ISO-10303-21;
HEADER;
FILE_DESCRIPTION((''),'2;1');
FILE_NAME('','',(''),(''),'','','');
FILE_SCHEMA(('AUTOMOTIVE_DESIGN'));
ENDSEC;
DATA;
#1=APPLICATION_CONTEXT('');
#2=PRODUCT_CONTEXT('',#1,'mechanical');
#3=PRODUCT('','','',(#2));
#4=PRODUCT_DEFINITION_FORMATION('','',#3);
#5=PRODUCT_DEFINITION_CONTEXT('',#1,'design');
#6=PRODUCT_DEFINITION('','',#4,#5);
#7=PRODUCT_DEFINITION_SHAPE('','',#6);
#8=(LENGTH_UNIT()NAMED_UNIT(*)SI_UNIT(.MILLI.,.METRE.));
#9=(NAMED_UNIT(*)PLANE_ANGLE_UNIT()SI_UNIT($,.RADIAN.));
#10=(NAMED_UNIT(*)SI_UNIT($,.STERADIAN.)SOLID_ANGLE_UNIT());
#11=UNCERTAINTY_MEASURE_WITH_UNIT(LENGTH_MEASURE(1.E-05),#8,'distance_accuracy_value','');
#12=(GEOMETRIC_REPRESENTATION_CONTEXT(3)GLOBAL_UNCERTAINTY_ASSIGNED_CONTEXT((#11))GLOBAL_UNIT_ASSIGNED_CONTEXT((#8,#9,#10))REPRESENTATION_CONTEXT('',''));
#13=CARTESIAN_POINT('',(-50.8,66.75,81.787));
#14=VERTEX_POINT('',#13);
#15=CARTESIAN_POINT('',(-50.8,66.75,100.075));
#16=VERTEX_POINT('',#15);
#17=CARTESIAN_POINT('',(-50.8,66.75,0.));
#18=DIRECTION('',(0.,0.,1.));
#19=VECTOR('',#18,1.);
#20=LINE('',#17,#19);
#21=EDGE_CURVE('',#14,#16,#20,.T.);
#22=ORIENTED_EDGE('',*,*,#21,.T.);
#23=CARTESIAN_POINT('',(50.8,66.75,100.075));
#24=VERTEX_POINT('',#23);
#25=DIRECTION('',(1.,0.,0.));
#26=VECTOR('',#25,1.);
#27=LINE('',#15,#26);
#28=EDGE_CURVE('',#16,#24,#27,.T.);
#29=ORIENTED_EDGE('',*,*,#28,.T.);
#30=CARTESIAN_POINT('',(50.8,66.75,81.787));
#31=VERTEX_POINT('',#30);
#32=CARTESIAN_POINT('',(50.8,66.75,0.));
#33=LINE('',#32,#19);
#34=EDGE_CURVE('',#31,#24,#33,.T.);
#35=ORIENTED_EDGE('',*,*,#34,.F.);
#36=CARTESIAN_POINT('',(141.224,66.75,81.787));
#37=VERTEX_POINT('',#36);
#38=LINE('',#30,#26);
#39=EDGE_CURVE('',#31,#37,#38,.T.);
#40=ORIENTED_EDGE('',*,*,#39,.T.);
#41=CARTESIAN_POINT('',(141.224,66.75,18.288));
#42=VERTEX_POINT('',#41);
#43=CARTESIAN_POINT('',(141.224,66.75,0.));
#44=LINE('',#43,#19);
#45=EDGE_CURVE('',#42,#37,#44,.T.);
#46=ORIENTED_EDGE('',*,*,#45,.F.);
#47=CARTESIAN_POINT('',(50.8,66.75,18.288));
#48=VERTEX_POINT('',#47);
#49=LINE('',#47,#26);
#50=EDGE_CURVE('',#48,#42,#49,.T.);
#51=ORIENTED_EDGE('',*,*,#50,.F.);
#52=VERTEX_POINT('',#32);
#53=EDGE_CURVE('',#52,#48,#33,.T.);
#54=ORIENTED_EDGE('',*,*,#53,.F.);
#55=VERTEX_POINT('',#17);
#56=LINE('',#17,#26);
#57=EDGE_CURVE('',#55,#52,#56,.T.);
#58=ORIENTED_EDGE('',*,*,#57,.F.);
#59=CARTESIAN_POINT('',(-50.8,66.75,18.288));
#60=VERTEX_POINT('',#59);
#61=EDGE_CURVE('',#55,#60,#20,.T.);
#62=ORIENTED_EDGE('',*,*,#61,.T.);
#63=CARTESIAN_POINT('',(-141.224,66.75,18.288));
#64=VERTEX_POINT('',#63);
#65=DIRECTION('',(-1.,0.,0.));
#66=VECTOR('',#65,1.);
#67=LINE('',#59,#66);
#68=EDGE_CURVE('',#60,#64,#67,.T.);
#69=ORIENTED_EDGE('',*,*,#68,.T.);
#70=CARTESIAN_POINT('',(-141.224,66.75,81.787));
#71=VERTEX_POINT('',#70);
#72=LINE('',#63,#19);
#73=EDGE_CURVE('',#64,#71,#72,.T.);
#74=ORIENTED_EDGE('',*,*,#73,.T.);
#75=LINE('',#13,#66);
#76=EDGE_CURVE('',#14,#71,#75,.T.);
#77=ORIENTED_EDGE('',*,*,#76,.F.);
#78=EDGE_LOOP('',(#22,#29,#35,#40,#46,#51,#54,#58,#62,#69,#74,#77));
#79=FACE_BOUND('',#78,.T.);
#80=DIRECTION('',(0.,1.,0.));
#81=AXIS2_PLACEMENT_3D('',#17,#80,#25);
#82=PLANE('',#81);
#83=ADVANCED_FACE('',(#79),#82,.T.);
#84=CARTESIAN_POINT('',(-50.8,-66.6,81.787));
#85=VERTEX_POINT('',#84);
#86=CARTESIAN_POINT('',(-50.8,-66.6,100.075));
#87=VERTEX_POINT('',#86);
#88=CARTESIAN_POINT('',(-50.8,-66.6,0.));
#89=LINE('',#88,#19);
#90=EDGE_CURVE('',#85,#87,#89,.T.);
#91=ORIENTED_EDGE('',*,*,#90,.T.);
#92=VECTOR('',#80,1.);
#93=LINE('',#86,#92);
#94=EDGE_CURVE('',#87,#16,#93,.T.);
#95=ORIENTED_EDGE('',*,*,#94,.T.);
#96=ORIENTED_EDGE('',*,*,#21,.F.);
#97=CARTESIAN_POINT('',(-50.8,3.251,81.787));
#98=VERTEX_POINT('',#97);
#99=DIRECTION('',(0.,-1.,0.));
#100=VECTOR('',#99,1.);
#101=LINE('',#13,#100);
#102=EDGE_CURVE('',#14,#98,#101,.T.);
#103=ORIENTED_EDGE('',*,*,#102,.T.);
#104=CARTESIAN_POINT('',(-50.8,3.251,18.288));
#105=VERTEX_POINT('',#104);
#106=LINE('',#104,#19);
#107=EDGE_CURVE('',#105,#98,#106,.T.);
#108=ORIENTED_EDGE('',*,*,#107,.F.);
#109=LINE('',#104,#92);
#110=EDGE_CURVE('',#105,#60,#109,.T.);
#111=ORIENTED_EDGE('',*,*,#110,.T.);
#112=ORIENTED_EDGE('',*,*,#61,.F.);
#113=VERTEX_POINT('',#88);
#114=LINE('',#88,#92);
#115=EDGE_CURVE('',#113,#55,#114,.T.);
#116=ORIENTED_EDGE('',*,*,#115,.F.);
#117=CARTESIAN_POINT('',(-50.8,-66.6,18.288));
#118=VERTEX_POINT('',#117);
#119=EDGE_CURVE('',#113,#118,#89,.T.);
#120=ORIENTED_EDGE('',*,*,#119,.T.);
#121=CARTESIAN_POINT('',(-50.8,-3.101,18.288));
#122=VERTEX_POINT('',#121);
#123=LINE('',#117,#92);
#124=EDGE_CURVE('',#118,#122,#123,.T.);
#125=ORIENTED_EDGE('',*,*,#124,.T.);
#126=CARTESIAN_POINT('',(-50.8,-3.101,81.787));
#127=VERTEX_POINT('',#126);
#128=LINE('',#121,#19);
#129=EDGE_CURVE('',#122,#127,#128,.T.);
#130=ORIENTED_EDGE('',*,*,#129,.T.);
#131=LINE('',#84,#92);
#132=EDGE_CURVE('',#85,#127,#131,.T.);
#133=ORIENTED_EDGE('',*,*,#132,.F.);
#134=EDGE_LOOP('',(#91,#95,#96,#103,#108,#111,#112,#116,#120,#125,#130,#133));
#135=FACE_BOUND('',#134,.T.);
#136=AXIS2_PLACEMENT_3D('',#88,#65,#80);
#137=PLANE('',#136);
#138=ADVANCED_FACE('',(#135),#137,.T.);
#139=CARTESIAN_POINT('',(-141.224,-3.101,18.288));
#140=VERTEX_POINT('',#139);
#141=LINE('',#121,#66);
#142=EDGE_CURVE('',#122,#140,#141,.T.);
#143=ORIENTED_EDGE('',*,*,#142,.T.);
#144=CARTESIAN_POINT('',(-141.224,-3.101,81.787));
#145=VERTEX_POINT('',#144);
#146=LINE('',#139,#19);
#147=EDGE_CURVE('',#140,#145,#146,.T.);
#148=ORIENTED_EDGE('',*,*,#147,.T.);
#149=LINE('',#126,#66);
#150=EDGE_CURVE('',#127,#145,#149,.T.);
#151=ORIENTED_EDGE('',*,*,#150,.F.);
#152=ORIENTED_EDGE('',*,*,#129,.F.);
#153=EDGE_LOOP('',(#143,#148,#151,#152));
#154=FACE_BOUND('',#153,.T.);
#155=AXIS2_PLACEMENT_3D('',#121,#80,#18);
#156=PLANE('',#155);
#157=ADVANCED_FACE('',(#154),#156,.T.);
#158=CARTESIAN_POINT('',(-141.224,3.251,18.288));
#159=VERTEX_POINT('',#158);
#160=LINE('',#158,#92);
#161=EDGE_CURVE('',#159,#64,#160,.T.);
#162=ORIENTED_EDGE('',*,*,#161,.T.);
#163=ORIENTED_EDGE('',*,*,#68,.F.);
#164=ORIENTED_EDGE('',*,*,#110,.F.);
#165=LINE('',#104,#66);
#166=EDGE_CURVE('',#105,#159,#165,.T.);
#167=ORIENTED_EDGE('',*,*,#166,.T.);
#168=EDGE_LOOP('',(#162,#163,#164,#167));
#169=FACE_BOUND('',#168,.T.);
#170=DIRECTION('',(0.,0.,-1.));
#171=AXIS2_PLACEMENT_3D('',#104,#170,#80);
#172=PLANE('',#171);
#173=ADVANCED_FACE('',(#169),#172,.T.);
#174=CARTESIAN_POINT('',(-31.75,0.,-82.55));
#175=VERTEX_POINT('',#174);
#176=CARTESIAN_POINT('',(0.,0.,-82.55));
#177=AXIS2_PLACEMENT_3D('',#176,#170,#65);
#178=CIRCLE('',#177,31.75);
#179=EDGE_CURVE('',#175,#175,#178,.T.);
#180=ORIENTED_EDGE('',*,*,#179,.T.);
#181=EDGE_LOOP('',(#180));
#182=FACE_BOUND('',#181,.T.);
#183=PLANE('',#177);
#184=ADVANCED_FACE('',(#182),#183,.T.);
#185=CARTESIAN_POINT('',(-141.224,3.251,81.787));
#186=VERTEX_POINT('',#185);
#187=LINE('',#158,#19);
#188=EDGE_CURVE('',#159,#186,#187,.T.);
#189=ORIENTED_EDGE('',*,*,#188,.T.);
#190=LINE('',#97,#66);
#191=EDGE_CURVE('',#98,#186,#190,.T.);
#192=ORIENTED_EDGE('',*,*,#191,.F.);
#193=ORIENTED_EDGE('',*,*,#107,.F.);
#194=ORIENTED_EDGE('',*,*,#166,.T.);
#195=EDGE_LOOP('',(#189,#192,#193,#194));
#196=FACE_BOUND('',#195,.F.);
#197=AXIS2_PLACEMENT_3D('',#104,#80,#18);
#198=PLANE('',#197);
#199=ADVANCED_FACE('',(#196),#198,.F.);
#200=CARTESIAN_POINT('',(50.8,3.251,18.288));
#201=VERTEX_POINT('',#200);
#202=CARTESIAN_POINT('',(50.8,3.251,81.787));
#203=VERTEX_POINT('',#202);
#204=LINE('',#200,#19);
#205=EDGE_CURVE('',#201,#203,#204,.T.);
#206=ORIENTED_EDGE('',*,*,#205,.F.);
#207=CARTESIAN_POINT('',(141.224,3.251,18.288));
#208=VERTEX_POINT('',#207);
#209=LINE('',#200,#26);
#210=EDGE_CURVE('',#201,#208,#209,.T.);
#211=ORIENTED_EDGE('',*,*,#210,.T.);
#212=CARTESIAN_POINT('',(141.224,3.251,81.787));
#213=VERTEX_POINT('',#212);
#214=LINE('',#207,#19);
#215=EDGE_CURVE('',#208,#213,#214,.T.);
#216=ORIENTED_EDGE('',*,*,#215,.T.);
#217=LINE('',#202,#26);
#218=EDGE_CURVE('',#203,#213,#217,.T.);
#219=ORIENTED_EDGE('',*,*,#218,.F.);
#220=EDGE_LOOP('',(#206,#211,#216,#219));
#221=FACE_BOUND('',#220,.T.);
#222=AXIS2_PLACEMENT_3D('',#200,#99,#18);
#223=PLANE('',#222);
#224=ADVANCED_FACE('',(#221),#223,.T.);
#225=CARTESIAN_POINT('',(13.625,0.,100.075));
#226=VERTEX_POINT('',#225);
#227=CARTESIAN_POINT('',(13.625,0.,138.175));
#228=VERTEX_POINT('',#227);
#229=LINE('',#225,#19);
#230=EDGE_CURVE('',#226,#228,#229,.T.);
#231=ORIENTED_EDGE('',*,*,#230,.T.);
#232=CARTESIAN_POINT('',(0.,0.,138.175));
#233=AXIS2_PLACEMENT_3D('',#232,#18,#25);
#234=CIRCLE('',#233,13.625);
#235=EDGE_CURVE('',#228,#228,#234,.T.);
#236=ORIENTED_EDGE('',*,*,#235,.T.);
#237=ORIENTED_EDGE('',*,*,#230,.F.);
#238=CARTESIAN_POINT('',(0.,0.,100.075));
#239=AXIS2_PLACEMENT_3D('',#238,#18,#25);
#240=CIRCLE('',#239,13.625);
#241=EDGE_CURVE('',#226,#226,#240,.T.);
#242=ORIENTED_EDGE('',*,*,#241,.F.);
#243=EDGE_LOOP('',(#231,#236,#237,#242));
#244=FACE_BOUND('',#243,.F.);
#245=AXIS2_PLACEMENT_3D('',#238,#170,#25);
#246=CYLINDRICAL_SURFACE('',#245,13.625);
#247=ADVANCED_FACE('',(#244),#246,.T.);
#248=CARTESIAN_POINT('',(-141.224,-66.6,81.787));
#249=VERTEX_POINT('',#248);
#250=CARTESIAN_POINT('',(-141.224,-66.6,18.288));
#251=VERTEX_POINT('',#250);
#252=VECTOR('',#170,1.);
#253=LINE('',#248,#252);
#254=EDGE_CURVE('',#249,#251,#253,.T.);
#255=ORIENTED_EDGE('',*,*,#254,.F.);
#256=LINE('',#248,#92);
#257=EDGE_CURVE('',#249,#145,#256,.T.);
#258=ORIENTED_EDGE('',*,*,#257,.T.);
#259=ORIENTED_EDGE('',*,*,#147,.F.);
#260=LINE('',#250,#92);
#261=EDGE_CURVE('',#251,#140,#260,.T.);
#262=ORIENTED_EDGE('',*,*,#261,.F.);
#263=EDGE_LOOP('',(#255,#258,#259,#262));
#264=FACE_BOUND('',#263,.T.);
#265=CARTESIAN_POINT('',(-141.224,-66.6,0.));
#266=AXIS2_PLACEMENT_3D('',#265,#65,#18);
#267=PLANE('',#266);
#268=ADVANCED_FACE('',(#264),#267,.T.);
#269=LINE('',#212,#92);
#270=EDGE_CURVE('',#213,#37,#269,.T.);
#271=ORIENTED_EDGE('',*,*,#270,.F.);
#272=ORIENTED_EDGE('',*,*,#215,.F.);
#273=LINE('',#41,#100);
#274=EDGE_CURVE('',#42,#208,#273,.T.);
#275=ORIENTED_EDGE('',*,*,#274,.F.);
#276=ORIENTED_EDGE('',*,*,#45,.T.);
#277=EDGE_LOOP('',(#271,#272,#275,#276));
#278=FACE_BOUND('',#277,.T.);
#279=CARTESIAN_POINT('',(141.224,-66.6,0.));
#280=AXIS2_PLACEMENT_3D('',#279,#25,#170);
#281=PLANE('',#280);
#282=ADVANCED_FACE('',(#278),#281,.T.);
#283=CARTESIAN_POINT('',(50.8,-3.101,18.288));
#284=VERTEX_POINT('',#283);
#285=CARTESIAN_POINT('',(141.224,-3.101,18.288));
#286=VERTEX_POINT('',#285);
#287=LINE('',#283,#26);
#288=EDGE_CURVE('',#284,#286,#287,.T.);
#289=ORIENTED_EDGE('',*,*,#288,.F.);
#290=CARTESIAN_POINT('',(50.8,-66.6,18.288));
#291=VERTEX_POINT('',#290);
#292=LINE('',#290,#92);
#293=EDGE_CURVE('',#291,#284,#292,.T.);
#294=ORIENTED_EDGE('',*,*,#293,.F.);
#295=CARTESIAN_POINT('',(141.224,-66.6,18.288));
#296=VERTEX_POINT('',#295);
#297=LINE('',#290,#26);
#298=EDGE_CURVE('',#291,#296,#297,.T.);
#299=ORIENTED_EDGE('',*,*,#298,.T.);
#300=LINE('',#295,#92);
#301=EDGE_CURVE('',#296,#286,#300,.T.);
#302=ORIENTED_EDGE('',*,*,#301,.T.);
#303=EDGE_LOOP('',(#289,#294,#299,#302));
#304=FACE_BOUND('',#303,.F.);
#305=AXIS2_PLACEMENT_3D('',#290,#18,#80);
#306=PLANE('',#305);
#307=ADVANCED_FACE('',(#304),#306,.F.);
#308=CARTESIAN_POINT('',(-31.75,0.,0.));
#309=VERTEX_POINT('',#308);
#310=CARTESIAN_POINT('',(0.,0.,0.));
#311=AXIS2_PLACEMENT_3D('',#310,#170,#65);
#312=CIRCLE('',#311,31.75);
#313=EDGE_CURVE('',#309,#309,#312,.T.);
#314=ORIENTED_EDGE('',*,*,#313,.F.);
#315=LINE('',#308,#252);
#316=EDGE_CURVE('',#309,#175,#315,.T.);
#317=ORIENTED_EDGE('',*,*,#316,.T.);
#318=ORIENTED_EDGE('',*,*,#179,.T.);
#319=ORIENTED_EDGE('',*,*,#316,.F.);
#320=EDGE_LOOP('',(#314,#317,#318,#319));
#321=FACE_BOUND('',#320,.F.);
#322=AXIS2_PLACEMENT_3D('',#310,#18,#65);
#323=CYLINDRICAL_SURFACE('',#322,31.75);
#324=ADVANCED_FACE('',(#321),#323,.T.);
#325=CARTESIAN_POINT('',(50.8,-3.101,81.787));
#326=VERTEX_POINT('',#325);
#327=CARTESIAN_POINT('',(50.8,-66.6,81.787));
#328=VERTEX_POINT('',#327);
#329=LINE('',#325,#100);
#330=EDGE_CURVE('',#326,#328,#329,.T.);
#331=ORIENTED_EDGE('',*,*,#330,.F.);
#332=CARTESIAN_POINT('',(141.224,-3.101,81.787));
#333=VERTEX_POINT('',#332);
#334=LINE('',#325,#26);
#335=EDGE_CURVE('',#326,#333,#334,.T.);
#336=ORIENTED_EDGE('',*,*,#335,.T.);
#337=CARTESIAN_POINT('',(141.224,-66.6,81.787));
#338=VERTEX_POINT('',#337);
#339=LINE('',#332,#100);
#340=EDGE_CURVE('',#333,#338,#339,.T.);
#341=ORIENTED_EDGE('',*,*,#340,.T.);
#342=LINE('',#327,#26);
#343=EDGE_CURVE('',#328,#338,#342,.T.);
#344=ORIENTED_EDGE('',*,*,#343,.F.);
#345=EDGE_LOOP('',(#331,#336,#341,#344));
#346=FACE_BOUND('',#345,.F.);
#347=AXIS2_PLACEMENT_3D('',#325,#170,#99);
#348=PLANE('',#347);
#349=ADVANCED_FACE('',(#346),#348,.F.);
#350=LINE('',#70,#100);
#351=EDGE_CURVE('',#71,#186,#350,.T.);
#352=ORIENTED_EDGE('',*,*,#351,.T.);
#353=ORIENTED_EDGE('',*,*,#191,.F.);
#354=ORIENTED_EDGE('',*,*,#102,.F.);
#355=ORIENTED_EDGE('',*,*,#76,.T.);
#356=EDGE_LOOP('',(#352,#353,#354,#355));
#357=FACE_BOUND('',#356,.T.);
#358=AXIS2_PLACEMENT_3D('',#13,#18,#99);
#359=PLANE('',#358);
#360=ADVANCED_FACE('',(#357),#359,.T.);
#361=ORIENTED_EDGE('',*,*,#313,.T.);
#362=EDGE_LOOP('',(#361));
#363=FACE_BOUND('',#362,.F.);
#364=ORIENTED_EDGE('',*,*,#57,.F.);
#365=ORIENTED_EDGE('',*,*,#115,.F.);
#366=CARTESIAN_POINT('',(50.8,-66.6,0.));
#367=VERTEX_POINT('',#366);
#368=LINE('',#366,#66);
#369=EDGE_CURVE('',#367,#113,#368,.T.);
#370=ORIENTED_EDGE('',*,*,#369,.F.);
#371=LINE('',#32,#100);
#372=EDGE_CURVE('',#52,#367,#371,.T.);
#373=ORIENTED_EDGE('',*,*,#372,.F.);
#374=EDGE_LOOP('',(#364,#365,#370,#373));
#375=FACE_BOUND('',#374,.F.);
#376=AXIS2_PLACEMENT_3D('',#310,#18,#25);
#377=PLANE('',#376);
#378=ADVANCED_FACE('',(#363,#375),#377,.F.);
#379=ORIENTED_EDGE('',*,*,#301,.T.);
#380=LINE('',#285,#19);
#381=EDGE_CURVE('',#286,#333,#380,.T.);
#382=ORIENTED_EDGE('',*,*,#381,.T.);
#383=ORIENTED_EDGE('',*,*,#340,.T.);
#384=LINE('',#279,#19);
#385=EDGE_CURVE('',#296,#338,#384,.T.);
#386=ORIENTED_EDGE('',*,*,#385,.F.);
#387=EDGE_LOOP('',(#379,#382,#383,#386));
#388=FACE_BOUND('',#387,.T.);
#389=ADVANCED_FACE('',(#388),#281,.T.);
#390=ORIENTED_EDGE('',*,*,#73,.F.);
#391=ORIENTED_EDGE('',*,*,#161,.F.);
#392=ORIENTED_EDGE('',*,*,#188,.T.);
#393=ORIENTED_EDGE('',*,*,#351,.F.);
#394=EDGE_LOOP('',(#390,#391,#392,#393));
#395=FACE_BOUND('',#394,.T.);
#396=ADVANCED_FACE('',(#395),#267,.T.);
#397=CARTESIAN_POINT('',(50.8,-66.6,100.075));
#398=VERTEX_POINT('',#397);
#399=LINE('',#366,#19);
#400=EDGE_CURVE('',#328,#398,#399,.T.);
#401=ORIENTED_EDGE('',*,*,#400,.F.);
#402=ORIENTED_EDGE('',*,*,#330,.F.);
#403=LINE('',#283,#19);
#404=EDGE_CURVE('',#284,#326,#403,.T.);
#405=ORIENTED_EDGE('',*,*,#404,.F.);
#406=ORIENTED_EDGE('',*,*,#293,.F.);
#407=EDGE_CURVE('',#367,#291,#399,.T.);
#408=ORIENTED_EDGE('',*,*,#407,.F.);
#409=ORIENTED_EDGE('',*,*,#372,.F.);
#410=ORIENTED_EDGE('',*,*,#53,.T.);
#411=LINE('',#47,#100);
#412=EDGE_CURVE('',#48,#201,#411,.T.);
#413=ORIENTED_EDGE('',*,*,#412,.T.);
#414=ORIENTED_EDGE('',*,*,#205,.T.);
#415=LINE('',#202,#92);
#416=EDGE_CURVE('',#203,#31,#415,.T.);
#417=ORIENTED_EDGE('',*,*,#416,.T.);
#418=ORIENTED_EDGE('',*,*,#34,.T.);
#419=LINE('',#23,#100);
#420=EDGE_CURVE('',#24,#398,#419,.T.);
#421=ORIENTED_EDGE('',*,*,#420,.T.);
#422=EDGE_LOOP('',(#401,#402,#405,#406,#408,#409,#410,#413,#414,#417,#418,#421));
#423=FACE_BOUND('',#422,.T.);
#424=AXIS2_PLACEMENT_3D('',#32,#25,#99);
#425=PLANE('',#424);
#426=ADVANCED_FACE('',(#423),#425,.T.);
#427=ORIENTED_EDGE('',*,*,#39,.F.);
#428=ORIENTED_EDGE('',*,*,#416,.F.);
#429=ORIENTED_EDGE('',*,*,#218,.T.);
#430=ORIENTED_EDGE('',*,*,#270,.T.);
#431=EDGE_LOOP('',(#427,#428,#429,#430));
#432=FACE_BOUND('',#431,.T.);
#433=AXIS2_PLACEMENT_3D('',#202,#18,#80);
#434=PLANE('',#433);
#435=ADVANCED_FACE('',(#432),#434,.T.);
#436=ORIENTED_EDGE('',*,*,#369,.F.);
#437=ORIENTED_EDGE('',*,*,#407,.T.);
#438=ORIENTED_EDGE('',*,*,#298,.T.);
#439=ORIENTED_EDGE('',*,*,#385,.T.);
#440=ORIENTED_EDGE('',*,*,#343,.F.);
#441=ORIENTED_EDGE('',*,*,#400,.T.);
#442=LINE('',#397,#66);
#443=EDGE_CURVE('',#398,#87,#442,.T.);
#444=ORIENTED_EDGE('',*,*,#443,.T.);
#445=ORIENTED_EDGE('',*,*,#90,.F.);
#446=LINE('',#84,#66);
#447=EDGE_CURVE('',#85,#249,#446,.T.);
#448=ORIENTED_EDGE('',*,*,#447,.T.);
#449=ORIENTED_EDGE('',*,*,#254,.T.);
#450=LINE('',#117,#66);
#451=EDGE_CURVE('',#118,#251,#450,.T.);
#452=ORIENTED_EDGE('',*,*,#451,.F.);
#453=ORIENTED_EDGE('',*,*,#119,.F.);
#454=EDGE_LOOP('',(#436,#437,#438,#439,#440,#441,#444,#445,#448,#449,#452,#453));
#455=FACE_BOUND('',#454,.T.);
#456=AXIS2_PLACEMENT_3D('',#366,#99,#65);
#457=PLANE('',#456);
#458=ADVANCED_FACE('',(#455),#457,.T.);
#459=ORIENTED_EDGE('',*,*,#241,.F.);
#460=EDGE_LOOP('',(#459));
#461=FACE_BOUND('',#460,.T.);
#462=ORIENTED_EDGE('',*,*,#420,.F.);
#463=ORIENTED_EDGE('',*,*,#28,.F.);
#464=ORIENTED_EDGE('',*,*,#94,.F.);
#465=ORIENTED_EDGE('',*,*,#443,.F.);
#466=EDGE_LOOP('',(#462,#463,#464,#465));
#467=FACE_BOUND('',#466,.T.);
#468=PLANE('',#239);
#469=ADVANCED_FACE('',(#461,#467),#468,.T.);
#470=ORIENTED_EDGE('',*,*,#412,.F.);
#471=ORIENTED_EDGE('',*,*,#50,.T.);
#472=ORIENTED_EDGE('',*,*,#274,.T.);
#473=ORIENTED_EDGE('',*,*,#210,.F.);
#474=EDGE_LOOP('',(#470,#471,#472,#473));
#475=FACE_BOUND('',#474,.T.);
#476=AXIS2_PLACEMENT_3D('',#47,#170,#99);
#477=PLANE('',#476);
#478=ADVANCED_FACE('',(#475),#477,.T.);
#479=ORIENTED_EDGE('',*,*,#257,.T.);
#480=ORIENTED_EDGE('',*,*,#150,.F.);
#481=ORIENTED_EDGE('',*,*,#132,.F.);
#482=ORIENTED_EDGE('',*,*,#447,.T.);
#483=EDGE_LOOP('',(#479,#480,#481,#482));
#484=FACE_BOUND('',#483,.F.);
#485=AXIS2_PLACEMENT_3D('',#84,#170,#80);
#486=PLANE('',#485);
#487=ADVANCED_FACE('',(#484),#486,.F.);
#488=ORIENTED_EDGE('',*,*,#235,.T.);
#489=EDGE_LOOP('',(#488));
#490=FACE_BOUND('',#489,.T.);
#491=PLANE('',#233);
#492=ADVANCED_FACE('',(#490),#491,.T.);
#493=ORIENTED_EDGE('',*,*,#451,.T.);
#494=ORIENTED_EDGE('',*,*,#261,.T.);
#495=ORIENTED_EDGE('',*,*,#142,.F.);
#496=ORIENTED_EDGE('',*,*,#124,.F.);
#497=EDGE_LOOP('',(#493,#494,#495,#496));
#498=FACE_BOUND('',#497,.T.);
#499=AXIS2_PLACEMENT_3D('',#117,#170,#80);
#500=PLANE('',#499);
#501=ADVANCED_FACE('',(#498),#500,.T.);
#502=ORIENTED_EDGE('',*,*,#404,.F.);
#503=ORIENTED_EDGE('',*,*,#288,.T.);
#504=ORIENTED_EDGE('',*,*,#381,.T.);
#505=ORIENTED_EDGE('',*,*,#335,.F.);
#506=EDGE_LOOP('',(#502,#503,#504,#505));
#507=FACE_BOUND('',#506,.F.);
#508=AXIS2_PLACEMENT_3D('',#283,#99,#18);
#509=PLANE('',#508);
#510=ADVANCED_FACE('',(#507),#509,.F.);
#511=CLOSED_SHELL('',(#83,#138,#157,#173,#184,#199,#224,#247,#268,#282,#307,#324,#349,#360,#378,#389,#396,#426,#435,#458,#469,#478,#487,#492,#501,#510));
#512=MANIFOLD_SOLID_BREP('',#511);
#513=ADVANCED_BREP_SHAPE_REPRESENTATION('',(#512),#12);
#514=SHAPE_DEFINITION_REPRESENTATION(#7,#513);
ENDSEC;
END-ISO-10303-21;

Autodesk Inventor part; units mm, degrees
ref_plane "YZ Plane" through (0, 0, 0) normal (1, 0, 0) x (0, 1, 0)
ref_plane "XZ Plane" through (0, 0, 0) normal (0, 1, 0) x (-1, 0, 0)
ref_plane "XY Plane" through (0, 0, 0) normal (0, 0, 1) x (1, 0, 0)
sketch "Sketch1" plane through (0, 0, 0) normal (0, 0, 1) x (1, 0, 0)
  line L0 (-50.8, 66.75) -> (50.8, 66.75)
  line L1 (50.8, 66.75) -> (50.8, -66.6)
  line L2 (50.8, -66.6) -> (-50.8, -66.6)
  line L3 (-50.8, -66.6) -> (-50.8, 66.75)
  point P0 (0, 0)
  dimension "d1" = 101.6
  dimension "d2" = 133.35
  dimension "d3" = 66.75
  dimension "d4" = 50.8
extrude "Extrusion1" add sketch "Sketch1" along normal blind 100.075
sketch "Sketch2" plane through (0, 0, 100.075) normal (0, 0, 1) x (1, 0, 0)
  circle A0 centre (0, 0) radius 13.625
  dimension "d7" = 27.25
extrude "Extrusion2" add sketch "Sketch2" along normal blind 38.1
sketch "Sketch3" plane through (0, 0, 0) normal (0, 0, -1) x (-1, 0, 0)
  circle A0 centre (0, 0) radius 31.75
  dimension "d10" = 63.5
extrude "Extrusion3" add sketch "Sketch3" along normal blind 82.55
sketch "Sketch4" plane through (50.8, -66.6, 0) normal (1, 0, 0) x (0, 0, -1)
  line L0 (0, 133.35) -> (-100.075, 133.35) projected
  line L1 (-81.787, 133.35) -> (-18.288, 133.35)
  line L2 (-18.288, 133.35) -> (-18.288, 69.851)
  line L3 (-18.288, 69.851) -> (-81.787, 69.851)
  line L4 (-81.787, 69.851) -> (-81.787, 133.35)
  line L5 (0, 133.35) -> (0, 0) projected
  line L6 (-100.075, 0) -> (-100.075, 133.35) projected
  line L7 (0, 0) -> (-100.075, 0) projected
  line L8 (-81.787, 0) -> (-18.288, 0)
  line L9 (-18.288, 0) -> (-18.288, 63.499)
  line L10 (-18.288, 63.499) -> (-81.787, 63.499)
  line L11 (-81.787, 63.499) -> (-81.787, 0)
  point P0 (0, 66.6)
  dimension "d13" = 18.288
  dimension "d14" = 18.288
  dimension "d15" = 63.499
  dimension "d16" = 63.499
  dimension "d17" = 63.499
extrude "Extrusion4" add sketch "Sketch4" along normal blind 90.424 contours L2 L3 L4 L0 | L7 L11 L10 L9
sketch "Sketch5" plane through (-50.8, -66.6, 0) normal (-1, 0, 0) x (0, 0, 1)
  line L0 (18.288, 69.851) -> (18.288, 133.35) projected
  line L1 (18.288, 69.851) -> (81.787, 69.851) projected
  line L2 (18.288, 133.35) -> (81.787, 133.35)
  line L3 (81.787, 133.35) -> (81.787, 69.851)
  line L4 (81.787, 69.851) -> (18.288, 69.851)
  line L5 (18.288, 69.851) -> (18.288, 133.35)
  line L6 (18.288, 0) -> (18.288, 63.499) projected
  line L7 (81.787, 0) -> (81.787, 63.499) projected
  line L8 (18.288, 63.499) -> (81.787, 63.499)
  line L9 (81.787, 63.499) -> (81.787, 0)
  line L10 (81.787, 0) -> (18.288, 0)
  line L11 (18.288, 0) -> (18.288, 63.499)
  point P0 (0, 66.6)
extrude "Extrusion5" add sketch "Sketch5" along normal blind 90.424
equation "\"d16\" = d15"
equation "\"d17\" = d15"
properties part number "Semi Rotary Hydraulic Motor"
